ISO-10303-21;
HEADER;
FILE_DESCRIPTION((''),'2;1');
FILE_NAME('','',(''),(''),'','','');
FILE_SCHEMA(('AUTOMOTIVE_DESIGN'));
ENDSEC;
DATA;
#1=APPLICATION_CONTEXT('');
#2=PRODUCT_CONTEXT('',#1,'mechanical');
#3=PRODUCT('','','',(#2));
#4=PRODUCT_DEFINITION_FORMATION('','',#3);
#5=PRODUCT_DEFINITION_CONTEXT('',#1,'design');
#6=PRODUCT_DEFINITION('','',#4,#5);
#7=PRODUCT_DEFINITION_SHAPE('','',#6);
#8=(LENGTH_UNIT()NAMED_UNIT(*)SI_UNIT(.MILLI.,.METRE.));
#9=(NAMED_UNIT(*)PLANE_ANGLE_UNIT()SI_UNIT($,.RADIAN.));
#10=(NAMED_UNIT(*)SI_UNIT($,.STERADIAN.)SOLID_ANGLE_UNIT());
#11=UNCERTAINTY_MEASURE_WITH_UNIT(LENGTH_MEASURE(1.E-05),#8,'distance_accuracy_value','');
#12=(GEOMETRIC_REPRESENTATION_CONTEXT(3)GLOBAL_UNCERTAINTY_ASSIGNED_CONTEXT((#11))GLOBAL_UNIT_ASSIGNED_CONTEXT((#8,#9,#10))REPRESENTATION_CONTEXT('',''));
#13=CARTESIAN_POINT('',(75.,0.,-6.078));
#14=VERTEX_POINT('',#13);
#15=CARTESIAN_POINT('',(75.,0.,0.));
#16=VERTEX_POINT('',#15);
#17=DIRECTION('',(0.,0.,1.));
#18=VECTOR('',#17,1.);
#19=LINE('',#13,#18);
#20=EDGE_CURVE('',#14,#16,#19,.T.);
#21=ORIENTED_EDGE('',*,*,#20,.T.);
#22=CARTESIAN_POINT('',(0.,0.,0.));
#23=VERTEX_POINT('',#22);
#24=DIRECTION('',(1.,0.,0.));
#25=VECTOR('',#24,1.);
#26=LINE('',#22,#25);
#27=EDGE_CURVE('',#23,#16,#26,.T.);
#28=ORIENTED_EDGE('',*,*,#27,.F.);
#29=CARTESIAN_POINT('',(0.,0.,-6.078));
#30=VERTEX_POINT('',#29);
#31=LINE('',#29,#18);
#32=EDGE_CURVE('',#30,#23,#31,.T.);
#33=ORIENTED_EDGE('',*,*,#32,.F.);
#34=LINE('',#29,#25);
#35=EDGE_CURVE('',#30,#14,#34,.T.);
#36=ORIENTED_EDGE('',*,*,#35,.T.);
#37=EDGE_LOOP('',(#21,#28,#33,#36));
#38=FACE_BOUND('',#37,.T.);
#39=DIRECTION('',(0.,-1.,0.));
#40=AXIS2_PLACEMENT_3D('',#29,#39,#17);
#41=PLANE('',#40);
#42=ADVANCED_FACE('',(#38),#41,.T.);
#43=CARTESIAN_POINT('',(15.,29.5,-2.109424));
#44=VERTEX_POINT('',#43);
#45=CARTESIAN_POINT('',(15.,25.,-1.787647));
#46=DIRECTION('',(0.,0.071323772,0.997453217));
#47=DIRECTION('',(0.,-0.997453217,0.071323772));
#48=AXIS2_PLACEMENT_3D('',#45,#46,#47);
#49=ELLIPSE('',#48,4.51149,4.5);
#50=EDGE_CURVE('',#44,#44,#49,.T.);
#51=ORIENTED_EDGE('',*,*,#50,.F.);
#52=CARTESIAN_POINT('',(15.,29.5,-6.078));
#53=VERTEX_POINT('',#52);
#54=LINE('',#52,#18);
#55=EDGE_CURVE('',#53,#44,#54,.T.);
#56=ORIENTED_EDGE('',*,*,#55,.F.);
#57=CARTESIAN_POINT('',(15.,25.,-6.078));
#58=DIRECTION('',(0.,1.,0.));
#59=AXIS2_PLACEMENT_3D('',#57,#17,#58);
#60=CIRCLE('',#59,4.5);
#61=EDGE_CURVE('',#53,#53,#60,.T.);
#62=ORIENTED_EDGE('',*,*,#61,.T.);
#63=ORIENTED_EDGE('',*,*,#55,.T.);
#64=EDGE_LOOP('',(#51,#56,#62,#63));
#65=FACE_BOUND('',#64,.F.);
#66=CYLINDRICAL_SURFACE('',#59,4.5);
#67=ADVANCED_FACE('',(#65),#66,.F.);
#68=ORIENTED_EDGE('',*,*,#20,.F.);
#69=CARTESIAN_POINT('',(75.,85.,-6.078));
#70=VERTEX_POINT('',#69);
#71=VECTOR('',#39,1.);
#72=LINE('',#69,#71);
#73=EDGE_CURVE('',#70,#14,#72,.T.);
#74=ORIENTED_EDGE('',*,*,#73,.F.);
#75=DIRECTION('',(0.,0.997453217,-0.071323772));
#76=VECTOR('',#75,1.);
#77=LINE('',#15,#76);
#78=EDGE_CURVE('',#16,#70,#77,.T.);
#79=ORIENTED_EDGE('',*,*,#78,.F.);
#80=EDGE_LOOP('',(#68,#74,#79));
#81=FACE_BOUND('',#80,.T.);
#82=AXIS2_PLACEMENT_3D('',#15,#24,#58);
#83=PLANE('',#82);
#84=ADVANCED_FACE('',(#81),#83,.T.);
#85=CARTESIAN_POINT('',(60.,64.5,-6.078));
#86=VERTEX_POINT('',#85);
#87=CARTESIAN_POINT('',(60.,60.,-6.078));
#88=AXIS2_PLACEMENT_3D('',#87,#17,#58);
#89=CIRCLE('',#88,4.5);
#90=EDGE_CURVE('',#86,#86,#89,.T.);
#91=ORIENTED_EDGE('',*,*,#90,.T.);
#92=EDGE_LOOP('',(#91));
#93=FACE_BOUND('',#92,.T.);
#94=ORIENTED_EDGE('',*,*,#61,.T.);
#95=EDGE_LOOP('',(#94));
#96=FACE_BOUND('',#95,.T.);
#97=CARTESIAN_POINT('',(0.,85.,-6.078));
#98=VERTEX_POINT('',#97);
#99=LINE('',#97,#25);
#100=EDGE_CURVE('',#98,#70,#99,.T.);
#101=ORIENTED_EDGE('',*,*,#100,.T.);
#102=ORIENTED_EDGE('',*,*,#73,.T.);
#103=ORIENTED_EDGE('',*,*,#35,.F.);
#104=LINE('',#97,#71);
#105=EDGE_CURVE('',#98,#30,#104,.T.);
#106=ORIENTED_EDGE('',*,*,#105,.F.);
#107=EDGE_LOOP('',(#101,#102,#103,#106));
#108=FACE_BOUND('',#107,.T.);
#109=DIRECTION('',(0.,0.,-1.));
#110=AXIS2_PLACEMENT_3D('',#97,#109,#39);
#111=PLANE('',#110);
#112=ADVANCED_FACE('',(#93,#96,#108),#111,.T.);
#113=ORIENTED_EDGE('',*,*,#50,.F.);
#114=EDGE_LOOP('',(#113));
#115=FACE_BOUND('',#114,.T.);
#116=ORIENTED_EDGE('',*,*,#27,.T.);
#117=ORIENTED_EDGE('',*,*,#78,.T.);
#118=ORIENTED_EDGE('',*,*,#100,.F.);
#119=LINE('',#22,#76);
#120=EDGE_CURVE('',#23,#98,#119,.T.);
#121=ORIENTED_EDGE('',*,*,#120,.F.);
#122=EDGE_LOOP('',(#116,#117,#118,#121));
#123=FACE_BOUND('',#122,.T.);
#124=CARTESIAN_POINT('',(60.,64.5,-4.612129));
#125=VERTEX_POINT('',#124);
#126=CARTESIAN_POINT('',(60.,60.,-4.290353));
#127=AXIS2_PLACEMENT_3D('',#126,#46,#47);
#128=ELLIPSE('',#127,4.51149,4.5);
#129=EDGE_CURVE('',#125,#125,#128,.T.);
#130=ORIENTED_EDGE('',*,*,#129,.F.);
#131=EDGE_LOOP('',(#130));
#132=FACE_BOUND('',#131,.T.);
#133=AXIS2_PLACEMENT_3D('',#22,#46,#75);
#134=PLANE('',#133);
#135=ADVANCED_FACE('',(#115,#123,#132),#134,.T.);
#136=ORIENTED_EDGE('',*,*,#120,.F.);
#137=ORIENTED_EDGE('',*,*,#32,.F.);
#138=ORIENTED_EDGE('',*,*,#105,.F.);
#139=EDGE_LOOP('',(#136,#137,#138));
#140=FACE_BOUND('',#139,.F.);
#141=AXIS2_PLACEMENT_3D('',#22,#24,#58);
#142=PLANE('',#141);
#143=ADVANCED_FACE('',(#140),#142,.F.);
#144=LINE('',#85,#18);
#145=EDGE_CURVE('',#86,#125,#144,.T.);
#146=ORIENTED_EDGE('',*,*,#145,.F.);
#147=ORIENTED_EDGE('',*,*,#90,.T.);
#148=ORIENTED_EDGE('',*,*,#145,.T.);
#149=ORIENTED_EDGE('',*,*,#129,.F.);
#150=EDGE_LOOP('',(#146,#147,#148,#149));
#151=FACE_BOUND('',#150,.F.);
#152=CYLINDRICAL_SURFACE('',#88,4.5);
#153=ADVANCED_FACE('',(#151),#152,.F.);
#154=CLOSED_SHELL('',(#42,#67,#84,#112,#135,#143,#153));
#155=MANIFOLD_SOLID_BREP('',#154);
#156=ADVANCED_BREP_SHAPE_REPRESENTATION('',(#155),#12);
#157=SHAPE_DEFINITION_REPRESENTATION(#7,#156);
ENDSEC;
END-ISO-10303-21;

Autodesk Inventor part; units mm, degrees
ref_plane "YZ Plane" through (0, 0, 0) normal (1, 0, 0) x (0, 1, 0)
ref_plane "XZ Plane" through (0, 0, 0) normal (0, 1, 0) x (-1, 0, 0)
ref_plane "XY Plane" through (0, 0, 0) normal (0, 0, 1) x (1, 0, 0)
sketch "Sketch1" plane through (0, 0, 0) normal (1, 0, 0) x (0, 1, 0)
  line L0 (0, 0) -> (74.6232, 0)
  line L1 (0, 0) -> (85, -6.078)
  line L2 (85, -6.078) -> (0, -6.078)
  line L3 (0, -6.078) -> (0, 0)
  dimension "d0" = 4.09
  dimension "d1" = 85
extrude "Extrusion1" add sketch "Sketch1" along normal blind 75
sketch "Sketch2" plane through (0, 0, -6.078) normal (0, 0, -1) x (-1, 0, 0)
  line L0 (0, 0) -> (0, 85) projected
  line L1 (0, 85) -> (-75, 85) projected
  line L2 (-75, 0) -> (-75, 85) projected
  line L3 (0, 0) -> (-75, 0) projected
  point P0 (0, 0)
  point P1 (-15, 25)
  point P2 (-60, 60)
  dimension "d4" = 25
  dimension "d5" = 15
  dimension "d6" = 15
  dimension "d7" = 25
hole "Hole1" at (15, 25, -6.078) at (60, 60, -6.078) direction (0, 0, 1) diameter 9 depth 10 tip angle 118 clearance for "Socket Head Cap Screw ISO 4762" size "M8" standard "ISO"
properties part number "skos_smietnik1"
